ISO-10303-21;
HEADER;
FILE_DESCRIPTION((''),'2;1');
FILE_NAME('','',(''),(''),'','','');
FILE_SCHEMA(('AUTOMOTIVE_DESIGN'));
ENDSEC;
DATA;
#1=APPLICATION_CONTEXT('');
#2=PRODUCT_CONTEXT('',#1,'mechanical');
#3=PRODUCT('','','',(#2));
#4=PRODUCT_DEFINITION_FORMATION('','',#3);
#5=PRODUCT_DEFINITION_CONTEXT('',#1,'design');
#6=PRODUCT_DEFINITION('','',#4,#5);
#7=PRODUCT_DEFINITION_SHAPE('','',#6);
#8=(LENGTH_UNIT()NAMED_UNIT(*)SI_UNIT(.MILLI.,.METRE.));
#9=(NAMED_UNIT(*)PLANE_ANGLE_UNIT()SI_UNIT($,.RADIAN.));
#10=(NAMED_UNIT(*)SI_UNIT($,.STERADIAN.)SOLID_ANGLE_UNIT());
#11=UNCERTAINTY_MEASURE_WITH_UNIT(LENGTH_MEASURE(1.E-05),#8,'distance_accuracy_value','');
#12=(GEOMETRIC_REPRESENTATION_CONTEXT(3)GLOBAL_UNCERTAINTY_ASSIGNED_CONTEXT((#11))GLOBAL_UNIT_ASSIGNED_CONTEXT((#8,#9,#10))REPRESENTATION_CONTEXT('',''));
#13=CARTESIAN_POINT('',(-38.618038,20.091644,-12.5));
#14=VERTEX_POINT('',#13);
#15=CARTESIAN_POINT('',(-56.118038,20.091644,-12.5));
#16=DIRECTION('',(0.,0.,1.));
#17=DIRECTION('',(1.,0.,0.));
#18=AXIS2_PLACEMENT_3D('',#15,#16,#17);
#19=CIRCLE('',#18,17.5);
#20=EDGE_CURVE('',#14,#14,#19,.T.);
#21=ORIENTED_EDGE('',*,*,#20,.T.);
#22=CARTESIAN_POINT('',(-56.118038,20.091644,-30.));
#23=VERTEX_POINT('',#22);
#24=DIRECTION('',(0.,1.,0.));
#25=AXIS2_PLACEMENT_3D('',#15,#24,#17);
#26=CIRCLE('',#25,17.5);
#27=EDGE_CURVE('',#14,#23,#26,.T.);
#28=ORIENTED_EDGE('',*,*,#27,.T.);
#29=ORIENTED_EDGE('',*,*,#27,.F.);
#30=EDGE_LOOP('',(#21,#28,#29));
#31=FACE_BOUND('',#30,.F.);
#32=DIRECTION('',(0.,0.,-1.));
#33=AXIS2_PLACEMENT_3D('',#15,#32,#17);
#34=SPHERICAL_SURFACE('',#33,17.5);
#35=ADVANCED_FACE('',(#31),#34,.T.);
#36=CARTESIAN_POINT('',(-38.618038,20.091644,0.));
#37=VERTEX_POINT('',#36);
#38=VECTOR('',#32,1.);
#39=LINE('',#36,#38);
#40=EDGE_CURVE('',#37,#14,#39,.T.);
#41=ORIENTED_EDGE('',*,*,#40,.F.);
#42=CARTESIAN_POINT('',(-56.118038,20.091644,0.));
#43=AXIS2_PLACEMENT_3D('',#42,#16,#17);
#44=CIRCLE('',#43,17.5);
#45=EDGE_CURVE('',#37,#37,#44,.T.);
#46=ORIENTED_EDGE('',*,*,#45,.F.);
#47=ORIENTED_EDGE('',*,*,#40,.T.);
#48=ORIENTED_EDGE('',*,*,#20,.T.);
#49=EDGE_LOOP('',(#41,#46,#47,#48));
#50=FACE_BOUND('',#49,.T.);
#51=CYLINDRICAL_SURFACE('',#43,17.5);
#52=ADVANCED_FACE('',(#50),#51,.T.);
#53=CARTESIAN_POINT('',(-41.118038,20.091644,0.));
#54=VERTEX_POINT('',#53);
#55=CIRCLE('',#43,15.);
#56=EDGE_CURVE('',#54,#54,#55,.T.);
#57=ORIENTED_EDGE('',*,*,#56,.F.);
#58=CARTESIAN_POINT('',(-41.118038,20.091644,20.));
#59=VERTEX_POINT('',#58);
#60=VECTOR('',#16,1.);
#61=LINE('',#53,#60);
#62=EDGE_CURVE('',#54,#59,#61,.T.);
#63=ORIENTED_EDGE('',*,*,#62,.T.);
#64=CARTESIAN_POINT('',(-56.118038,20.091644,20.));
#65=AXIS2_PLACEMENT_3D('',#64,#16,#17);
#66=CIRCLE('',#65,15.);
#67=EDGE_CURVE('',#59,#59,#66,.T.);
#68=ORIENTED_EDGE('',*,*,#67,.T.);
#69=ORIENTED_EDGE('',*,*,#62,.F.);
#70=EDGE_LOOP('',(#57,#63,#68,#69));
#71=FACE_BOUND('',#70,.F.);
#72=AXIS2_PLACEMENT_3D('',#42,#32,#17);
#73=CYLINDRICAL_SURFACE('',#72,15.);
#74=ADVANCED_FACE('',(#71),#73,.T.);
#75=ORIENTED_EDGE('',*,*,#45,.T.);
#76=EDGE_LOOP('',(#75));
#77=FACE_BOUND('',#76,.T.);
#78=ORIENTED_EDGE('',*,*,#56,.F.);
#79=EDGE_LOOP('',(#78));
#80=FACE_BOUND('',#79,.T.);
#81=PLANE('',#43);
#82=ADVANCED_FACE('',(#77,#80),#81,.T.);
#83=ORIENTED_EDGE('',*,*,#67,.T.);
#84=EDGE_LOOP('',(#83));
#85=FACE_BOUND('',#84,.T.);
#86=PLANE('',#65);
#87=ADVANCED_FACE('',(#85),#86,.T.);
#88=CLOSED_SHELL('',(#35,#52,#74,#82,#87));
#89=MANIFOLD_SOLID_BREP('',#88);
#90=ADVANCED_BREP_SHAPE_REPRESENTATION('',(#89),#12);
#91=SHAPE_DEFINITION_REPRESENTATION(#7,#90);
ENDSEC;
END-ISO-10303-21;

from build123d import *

# Parameters (mm, degrees)
F0_R     = 15
F1_DEPTH = 20
F0_R_2   = 17.5
F2_DEPTH = 30
F3_R     = 17.5


with BuildPart() as f1:
    # F0 (on Top) → F1 (new body)
    with BuildSketch(Plane.XY):
        with Locations((-56.118038, 20.091644)):
            Circle(F0_R)
    extrude(amount=F1_DEPTH)

    # F0 (on Top) → F2 (join)
    with BuildSketch(Plane.XY):
        with Locations((-56.118038, 20.091644)):
            Circle(F0_R_2)
        with Locations((-56.118038, 20.091644)):
            Circle(F0_R, mode=Mode.SUBTRACT)
        with Locations((-56.118038, 20.091644)):
            Circle(F0_R)
    extrude(amount=-F2_DEPTH)

    # F3
    f3_edges = [f1.edges().sort_by_distance(p)[0] for p in [
        (-73.618038, 20.091644, -30),
    ]]
    fillet(f3_edges, radius=F3_R)


solid = f1.part
